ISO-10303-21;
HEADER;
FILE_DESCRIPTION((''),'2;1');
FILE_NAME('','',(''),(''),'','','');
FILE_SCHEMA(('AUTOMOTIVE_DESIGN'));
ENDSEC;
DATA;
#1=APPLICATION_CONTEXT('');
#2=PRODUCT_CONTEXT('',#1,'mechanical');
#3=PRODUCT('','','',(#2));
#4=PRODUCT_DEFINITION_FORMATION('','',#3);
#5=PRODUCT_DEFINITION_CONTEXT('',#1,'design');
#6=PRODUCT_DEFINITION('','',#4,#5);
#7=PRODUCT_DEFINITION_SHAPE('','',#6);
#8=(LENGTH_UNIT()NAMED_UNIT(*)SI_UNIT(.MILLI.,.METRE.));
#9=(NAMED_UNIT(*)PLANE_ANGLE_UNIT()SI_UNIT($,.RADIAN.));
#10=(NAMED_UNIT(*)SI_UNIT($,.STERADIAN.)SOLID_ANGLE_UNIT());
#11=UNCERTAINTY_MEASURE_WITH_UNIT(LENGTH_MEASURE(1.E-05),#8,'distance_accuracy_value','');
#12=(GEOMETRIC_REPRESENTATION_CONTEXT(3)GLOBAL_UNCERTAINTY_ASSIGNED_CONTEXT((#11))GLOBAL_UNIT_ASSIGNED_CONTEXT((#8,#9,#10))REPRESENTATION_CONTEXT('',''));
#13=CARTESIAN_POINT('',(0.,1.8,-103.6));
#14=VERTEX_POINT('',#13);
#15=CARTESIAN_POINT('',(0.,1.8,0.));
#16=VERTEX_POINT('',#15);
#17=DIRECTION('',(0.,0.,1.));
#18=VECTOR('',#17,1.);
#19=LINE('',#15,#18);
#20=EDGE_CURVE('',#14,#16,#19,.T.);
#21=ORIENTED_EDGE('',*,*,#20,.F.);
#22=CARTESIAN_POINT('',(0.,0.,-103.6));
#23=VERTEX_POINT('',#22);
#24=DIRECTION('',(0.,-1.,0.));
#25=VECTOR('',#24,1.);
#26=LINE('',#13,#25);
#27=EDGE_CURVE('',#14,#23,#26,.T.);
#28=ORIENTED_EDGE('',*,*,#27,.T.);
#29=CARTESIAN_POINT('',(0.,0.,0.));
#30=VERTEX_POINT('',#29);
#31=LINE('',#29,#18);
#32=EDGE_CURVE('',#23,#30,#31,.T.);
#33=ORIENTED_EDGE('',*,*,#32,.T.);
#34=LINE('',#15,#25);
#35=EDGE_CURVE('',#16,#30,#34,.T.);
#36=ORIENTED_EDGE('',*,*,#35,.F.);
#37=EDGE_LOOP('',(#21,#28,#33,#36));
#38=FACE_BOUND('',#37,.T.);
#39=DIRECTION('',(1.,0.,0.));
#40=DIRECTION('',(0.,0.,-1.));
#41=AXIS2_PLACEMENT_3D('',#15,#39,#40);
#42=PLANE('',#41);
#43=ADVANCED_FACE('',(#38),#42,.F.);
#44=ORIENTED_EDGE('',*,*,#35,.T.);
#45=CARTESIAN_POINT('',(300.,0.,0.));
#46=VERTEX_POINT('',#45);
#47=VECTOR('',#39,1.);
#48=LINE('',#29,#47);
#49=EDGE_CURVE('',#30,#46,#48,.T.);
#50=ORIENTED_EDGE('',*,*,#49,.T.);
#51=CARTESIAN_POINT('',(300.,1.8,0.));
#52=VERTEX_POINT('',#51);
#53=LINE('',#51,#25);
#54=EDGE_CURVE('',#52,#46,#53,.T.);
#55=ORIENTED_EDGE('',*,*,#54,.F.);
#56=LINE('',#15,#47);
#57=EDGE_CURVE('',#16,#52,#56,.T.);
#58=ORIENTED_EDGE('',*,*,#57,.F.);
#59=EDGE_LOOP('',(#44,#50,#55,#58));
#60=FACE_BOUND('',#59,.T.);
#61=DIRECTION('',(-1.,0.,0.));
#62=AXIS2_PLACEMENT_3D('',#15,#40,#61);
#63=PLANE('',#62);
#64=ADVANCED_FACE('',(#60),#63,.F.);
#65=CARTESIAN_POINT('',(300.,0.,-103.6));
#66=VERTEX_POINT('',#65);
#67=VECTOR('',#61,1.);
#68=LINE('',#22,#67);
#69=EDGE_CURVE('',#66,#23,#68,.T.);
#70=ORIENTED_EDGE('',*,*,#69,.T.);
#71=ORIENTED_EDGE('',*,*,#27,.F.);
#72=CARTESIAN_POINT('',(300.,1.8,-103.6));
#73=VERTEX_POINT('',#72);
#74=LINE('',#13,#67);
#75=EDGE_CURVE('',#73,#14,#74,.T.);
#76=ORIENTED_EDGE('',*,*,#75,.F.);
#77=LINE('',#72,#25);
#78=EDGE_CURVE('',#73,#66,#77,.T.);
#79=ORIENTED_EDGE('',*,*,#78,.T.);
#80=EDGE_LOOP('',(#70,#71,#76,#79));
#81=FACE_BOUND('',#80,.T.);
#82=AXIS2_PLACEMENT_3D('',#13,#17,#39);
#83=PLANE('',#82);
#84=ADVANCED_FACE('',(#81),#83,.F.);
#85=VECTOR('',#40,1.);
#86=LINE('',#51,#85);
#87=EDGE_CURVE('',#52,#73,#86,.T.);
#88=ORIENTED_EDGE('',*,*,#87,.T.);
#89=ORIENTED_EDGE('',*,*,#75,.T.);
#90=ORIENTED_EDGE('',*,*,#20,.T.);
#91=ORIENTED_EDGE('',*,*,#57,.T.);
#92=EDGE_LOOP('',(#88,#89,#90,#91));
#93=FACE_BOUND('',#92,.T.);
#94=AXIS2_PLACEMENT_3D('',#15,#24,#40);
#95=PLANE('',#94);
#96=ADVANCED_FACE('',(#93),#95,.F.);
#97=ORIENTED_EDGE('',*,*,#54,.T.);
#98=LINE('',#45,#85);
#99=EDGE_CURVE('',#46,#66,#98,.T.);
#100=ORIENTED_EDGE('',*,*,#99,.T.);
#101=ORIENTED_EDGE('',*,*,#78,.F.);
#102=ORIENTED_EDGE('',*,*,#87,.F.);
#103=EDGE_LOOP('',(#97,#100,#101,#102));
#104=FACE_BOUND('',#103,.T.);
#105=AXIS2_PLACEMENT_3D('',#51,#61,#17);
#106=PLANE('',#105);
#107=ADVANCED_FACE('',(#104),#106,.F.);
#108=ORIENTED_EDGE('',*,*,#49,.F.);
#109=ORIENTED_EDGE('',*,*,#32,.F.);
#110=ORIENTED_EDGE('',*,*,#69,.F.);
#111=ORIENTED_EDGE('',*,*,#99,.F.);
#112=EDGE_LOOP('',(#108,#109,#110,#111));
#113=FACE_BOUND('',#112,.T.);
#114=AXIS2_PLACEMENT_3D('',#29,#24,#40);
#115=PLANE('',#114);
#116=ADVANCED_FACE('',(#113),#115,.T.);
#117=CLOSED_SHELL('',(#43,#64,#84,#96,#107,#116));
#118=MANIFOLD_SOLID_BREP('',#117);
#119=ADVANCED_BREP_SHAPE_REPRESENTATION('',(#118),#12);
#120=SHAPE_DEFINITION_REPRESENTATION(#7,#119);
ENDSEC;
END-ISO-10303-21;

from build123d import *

# Parameters (mm, degrees)
SKETCH_1_W      = 300
SKETCH_1_H      = 103.6
EXTRUDE_1_DEPTH = 1.8


with BuildPart() as part:
    # 草图1 → 凸台-拉伸1 (new body)
    with BuildSketch(Plane(origin=(0, 0, 0), x_dir=(1, 0, 0), z_dir=(0, 1, 0))):
        with Locations((150, 51.8)):
            Rectangle(SKETCH_1_W, SKETCH_1_H)
    extrude(amount=EXTRUDE_1_DEPTH)


solid = part.part
